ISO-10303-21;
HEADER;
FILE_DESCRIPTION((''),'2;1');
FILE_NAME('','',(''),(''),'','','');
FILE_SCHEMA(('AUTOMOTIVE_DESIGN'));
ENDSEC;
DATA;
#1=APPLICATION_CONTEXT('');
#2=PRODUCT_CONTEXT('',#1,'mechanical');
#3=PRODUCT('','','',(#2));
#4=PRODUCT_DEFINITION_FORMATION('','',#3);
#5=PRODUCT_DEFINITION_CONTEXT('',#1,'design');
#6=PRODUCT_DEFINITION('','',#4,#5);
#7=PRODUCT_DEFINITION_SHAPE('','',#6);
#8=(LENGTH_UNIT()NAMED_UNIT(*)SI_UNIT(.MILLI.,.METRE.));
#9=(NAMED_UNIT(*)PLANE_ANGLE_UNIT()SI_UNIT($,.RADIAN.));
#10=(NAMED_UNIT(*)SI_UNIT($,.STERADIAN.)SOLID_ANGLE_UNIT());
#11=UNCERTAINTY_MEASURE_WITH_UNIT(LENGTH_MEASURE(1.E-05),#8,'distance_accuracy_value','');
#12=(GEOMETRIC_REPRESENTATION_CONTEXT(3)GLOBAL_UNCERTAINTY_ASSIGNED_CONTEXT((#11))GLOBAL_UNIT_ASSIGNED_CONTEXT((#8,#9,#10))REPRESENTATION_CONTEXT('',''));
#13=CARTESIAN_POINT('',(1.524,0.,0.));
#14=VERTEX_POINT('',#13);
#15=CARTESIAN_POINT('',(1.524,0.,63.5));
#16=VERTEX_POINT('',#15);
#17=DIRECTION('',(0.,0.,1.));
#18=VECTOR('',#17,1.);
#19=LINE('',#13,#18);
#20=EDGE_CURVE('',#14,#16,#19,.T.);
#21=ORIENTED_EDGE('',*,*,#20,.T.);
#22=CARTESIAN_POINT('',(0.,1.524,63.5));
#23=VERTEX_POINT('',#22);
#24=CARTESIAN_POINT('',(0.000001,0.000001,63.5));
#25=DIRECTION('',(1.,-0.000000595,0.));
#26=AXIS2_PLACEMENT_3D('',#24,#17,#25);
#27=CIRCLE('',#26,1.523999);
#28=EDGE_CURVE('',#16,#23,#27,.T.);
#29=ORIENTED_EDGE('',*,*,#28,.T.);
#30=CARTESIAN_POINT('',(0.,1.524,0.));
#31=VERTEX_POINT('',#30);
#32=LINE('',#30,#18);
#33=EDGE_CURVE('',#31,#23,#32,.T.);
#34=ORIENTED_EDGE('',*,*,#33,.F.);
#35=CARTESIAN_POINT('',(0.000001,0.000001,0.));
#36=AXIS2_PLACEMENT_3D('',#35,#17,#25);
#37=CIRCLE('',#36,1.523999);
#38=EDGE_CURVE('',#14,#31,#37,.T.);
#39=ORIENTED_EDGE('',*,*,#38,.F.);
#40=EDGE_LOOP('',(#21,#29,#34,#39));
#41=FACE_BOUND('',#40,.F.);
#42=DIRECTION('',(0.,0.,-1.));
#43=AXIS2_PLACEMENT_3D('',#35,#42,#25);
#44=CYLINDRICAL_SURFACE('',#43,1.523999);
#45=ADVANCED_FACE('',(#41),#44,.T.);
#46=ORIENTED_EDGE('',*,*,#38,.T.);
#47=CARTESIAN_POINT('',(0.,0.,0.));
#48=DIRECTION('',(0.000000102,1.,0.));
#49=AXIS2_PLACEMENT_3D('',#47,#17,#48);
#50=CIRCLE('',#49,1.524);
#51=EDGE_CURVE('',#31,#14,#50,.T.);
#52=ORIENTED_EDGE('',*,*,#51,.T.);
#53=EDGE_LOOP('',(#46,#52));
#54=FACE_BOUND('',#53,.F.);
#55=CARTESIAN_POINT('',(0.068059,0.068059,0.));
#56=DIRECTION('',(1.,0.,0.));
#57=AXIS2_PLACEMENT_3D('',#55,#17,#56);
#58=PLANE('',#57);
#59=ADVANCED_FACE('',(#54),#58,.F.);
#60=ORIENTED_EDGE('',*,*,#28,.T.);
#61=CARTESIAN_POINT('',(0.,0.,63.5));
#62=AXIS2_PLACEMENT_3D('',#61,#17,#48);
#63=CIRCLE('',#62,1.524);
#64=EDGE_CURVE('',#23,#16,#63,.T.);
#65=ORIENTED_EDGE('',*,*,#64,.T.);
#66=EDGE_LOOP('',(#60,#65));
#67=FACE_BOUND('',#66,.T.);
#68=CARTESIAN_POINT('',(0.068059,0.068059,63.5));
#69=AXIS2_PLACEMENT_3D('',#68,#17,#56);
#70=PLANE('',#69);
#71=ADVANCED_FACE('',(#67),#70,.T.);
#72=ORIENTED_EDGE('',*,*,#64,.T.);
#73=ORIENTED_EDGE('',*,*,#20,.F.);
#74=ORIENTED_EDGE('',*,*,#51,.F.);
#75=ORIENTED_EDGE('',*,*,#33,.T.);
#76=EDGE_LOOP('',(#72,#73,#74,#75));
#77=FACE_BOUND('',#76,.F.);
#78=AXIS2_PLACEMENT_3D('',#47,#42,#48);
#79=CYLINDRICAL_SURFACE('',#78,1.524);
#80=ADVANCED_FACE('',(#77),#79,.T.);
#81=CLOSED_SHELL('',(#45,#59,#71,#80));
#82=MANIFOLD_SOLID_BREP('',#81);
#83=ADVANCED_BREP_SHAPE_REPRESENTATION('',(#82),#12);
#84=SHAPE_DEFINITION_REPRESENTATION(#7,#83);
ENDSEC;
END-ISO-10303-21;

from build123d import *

# Parameters (mm, degrees)
F1_DEPTH = 63.5


with BuildPart() as f1:
    # F0 (on Top) → F1 (new body)
    with BuildSketch(Plane.XY):
        with BuildLine():
            ThreePointArc((0, 1.524), (-1.077631, -1.077631), (1.524, 0))
            ThreePointArc((1.524, 0), (1.077631, 1.077631), (0, 1.524))
        make_face()
    extrude(amount=F1_DEPTH)


solid = f1.part
